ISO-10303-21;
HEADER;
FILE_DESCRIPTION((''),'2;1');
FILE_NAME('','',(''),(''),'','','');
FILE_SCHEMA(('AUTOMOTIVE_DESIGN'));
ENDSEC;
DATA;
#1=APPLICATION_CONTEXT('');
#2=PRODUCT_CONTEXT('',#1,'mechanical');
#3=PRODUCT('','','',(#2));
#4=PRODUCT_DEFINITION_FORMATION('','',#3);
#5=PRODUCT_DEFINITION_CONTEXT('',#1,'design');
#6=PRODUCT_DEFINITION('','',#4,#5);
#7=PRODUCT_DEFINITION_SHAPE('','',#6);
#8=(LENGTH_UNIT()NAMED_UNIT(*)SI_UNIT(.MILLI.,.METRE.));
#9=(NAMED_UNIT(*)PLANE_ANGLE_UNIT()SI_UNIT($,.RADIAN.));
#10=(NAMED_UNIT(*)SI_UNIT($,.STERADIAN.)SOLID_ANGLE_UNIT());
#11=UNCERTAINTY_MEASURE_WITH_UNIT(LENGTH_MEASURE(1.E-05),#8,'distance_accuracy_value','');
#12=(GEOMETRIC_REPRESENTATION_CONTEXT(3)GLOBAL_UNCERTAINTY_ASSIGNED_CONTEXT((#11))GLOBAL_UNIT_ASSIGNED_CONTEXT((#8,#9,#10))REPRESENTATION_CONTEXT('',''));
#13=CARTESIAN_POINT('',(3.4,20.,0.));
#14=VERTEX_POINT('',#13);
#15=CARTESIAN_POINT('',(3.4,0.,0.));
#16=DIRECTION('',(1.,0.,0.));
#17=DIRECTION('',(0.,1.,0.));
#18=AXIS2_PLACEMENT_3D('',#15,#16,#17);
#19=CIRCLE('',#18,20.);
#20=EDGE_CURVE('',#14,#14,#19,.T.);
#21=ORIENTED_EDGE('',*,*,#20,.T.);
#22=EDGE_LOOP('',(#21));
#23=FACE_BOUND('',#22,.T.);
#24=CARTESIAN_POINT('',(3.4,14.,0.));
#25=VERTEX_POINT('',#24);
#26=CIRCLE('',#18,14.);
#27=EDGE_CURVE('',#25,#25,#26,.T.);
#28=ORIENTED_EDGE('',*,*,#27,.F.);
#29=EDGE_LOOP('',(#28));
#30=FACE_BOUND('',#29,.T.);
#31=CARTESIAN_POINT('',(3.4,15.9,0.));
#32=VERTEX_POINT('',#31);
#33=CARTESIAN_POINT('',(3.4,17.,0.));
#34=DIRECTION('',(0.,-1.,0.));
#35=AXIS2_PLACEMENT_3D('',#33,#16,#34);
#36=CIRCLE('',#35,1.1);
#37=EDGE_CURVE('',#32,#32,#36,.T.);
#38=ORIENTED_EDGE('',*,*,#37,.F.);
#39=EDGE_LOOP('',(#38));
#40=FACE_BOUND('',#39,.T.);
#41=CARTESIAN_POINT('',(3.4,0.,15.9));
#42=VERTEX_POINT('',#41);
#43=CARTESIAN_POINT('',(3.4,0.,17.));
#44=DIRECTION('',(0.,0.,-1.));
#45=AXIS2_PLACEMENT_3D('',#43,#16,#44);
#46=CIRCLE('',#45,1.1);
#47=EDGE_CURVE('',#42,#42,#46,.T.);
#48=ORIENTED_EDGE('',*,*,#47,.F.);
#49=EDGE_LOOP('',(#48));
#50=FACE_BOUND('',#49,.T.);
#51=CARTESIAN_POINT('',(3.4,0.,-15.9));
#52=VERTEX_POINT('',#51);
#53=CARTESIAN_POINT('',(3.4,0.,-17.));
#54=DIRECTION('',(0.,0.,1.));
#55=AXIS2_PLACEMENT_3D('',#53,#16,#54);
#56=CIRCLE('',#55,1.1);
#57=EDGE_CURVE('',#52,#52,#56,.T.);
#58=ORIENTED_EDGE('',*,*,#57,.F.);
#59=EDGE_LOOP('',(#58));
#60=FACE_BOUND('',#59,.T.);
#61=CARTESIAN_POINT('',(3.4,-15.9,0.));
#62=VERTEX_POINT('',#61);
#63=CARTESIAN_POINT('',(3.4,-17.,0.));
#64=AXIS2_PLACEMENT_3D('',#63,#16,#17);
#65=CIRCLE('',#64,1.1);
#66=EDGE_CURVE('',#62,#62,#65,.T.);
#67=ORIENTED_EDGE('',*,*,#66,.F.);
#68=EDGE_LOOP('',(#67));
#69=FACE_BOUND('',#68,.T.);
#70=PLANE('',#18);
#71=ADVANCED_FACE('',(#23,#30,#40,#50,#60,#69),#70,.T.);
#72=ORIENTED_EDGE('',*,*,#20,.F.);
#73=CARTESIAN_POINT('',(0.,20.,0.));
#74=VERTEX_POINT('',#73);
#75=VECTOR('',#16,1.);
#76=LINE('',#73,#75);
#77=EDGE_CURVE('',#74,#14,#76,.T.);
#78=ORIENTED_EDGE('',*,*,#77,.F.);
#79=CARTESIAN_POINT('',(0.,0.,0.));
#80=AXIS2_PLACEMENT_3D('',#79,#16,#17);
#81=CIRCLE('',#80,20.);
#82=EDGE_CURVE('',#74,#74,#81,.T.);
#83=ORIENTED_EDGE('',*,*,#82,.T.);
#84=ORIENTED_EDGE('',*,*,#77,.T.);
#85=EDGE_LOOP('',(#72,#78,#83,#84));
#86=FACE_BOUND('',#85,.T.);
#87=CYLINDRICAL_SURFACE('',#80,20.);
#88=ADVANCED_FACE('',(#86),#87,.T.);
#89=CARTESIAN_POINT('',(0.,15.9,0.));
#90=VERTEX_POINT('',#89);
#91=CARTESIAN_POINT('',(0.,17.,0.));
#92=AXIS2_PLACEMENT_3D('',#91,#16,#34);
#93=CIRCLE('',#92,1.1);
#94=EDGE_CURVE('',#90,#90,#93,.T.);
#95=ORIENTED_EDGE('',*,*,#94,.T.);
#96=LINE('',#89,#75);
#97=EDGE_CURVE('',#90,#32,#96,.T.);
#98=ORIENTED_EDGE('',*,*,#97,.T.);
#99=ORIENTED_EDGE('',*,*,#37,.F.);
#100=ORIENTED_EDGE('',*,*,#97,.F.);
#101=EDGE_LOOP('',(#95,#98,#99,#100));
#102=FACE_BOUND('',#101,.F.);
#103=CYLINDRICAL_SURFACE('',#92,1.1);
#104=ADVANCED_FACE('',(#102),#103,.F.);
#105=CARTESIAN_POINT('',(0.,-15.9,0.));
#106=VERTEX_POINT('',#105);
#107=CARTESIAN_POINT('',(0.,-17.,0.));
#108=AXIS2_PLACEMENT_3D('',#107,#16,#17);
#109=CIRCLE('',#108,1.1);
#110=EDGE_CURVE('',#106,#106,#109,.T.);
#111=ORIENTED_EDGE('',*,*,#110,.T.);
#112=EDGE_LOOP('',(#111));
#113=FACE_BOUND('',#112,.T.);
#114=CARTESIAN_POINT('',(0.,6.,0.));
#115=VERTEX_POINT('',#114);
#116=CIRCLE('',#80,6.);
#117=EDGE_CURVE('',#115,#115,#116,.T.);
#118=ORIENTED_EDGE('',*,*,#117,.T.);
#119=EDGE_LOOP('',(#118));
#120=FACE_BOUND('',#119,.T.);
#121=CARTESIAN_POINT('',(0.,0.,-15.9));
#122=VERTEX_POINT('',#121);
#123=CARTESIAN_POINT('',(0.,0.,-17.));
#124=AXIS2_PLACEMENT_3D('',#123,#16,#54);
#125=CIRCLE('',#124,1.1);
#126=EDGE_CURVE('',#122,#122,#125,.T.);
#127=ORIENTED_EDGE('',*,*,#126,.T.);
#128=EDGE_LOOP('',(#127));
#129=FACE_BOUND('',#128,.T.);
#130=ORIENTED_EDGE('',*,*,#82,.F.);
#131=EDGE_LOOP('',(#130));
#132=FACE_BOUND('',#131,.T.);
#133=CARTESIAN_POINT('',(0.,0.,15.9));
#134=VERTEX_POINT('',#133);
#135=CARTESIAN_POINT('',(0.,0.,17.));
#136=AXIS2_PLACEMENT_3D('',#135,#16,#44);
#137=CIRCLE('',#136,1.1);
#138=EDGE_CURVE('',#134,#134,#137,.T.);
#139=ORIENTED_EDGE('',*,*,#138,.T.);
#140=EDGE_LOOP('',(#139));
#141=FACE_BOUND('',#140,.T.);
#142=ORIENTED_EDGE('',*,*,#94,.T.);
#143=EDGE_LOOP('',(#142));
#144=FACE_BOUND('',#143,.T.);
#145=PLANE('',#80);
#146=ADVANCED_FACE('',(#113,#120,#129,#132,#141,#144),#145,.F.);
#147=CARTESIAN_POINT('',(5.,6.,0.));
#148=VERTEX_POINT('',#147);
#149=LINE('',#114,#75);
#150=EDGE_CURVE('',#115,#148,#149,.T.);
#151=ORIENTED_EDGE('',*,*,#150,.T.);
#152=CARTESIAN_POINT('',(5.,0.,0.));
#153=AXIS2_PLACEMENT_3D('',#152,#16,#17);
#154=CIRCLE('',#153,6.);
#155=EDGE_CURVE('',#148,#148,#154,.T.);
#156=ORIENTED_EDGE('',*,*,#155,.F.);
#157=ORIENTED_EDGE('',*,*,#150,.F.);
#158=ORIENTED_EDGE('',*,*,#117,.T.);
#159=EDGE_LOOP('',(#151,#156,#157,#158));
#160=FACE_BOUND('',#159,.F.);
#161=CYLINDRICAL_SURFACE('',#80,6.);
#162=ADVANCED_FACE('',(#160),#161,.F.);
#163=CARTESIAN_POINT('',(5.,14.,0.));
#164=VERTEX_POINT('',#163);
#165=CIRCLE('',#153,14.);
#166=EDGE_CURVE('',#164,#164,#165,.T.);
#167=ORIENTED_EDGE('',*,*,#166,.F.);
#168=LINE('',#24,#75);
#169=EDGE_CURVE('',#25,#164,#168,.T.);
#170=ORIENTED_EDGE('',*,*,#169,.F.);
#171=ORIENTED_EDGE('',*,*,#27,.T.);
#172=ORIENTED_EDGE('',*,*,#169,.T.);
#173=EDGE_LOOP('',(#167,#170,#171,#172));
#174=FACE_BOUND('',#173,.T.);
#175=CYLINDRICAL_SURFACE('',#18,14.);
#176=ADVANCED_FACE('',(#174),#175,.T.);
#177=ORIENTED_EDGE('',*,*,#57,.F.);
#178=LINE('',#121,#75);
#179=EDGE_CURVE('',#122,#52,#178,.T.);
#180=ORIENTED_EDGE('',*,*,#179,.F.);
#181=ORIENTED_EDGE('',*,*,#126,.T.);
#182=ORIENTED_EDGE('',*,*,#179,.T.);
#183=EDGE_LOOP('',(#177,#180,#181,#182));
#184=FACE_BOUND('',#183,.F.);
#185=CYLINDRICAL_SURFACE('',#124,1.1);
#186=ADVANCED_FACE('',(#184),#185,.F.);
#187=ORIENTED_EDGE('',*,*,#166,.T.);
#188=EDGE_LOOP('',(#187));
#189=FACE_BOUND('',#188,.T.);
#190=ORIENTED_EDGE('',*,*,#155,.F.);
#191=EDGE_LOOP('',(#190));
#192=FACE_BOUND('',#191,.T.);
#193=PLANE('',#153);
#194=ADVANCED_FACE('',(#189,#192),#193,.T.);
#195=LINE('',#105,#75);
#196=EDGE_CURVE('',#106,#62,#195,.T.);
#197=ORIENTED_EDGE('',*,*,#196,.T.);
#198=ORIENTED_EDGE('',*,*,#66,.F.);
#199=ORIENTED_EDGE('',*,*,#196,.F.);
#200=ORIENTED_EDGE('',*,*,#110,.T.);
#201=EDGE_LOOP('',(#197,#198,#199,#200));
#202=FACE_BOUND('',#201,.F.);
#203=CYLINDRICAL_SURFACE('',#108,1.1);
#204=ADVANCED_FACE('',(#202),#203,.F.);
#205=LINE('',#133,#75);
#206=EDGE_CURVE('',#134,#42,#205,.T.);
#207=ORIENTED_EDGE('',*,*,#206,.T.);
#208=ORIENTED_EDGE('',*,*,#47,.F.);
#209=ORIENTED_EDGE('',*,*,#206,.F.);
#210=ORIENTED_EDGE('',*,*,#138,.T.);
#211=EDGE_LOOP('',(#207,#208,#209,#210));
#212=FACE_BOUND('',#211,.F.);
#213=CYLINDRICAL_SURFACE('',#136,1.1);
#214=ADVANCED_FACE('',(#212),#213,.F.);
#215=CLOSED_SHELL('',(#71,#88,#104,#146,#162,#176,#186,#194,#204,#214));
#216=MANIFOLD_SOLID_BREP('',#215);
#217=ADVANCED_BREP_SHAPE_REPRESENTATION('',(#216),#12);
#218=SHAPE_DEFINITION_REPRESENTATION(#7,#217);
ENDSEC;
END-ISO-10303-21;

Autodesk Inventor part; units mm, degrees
ref_plane "YZ Plane" through (0, 0, 0) normal (1, 0, 0) x (0, 1, 0)
ref_plane "XZ Plane" through (0, 0, 0) normal (0, 1, 0) x (-1, 0, 0)
ref_plane "XY Plane" through (0, 0, 0) normal (0, 0, 1) x (1, 0, 0)
sketch "Sketch1" plane through (0, 0, 0) normal (0, 0, 1) x (1, 0, 0)
  line L0 (-11.0022, 0) -> (11.0022, 0) construction
  line L1 (0, 10.3849) -> (0, -10.3849) construction
  line L2 (0, 0) -> (0, 20)
  line L3 (0, 20) -> (3.4, 20)
  line L4 (3.4, 20) -> (3.4, 14)
  line L5 (3.4, 14) -> (5, 14)
  line L6 (5, 14) -> (5, 0)
  line L7 (5, 0) -> (0, 0)
  line L8 (0, 6) -> (5, 6)
  dimension "d0" = 40
  dimension "d1" = 28
  dimension "d2" = 1.6
  dimension "d4" = 12
  dimension "d17" = 5
revolve "Revolution1" add sketch "Sketch1" angle 360 about axis through (-11.0022, 0, 0) along (1, 0, 0) contours L2 L3 L4 L5 L6 L8
sketch "Sketch2" plane through (0, 0, 0) normal (-1, 0, 0) x (0, 0, 1)
  circle A0 centre (0, 0) radius 17 construction
  line L0 (0, 0) -> (-21.4597, 0) construction
  point P0 (-17, 0)
  dimension "d6" = 34
hole "Hole1" at (0, 0, -17) direction (1, 0, 0) diameter 2.2 depth 8 tip angle 118
pattern_circular "Circular Pattern1" count 4 over 360 about axis through (2.5, 0, 0) along (1, 0, 0) of "Hole1"
properties part number "P04" material "Aluminium"
